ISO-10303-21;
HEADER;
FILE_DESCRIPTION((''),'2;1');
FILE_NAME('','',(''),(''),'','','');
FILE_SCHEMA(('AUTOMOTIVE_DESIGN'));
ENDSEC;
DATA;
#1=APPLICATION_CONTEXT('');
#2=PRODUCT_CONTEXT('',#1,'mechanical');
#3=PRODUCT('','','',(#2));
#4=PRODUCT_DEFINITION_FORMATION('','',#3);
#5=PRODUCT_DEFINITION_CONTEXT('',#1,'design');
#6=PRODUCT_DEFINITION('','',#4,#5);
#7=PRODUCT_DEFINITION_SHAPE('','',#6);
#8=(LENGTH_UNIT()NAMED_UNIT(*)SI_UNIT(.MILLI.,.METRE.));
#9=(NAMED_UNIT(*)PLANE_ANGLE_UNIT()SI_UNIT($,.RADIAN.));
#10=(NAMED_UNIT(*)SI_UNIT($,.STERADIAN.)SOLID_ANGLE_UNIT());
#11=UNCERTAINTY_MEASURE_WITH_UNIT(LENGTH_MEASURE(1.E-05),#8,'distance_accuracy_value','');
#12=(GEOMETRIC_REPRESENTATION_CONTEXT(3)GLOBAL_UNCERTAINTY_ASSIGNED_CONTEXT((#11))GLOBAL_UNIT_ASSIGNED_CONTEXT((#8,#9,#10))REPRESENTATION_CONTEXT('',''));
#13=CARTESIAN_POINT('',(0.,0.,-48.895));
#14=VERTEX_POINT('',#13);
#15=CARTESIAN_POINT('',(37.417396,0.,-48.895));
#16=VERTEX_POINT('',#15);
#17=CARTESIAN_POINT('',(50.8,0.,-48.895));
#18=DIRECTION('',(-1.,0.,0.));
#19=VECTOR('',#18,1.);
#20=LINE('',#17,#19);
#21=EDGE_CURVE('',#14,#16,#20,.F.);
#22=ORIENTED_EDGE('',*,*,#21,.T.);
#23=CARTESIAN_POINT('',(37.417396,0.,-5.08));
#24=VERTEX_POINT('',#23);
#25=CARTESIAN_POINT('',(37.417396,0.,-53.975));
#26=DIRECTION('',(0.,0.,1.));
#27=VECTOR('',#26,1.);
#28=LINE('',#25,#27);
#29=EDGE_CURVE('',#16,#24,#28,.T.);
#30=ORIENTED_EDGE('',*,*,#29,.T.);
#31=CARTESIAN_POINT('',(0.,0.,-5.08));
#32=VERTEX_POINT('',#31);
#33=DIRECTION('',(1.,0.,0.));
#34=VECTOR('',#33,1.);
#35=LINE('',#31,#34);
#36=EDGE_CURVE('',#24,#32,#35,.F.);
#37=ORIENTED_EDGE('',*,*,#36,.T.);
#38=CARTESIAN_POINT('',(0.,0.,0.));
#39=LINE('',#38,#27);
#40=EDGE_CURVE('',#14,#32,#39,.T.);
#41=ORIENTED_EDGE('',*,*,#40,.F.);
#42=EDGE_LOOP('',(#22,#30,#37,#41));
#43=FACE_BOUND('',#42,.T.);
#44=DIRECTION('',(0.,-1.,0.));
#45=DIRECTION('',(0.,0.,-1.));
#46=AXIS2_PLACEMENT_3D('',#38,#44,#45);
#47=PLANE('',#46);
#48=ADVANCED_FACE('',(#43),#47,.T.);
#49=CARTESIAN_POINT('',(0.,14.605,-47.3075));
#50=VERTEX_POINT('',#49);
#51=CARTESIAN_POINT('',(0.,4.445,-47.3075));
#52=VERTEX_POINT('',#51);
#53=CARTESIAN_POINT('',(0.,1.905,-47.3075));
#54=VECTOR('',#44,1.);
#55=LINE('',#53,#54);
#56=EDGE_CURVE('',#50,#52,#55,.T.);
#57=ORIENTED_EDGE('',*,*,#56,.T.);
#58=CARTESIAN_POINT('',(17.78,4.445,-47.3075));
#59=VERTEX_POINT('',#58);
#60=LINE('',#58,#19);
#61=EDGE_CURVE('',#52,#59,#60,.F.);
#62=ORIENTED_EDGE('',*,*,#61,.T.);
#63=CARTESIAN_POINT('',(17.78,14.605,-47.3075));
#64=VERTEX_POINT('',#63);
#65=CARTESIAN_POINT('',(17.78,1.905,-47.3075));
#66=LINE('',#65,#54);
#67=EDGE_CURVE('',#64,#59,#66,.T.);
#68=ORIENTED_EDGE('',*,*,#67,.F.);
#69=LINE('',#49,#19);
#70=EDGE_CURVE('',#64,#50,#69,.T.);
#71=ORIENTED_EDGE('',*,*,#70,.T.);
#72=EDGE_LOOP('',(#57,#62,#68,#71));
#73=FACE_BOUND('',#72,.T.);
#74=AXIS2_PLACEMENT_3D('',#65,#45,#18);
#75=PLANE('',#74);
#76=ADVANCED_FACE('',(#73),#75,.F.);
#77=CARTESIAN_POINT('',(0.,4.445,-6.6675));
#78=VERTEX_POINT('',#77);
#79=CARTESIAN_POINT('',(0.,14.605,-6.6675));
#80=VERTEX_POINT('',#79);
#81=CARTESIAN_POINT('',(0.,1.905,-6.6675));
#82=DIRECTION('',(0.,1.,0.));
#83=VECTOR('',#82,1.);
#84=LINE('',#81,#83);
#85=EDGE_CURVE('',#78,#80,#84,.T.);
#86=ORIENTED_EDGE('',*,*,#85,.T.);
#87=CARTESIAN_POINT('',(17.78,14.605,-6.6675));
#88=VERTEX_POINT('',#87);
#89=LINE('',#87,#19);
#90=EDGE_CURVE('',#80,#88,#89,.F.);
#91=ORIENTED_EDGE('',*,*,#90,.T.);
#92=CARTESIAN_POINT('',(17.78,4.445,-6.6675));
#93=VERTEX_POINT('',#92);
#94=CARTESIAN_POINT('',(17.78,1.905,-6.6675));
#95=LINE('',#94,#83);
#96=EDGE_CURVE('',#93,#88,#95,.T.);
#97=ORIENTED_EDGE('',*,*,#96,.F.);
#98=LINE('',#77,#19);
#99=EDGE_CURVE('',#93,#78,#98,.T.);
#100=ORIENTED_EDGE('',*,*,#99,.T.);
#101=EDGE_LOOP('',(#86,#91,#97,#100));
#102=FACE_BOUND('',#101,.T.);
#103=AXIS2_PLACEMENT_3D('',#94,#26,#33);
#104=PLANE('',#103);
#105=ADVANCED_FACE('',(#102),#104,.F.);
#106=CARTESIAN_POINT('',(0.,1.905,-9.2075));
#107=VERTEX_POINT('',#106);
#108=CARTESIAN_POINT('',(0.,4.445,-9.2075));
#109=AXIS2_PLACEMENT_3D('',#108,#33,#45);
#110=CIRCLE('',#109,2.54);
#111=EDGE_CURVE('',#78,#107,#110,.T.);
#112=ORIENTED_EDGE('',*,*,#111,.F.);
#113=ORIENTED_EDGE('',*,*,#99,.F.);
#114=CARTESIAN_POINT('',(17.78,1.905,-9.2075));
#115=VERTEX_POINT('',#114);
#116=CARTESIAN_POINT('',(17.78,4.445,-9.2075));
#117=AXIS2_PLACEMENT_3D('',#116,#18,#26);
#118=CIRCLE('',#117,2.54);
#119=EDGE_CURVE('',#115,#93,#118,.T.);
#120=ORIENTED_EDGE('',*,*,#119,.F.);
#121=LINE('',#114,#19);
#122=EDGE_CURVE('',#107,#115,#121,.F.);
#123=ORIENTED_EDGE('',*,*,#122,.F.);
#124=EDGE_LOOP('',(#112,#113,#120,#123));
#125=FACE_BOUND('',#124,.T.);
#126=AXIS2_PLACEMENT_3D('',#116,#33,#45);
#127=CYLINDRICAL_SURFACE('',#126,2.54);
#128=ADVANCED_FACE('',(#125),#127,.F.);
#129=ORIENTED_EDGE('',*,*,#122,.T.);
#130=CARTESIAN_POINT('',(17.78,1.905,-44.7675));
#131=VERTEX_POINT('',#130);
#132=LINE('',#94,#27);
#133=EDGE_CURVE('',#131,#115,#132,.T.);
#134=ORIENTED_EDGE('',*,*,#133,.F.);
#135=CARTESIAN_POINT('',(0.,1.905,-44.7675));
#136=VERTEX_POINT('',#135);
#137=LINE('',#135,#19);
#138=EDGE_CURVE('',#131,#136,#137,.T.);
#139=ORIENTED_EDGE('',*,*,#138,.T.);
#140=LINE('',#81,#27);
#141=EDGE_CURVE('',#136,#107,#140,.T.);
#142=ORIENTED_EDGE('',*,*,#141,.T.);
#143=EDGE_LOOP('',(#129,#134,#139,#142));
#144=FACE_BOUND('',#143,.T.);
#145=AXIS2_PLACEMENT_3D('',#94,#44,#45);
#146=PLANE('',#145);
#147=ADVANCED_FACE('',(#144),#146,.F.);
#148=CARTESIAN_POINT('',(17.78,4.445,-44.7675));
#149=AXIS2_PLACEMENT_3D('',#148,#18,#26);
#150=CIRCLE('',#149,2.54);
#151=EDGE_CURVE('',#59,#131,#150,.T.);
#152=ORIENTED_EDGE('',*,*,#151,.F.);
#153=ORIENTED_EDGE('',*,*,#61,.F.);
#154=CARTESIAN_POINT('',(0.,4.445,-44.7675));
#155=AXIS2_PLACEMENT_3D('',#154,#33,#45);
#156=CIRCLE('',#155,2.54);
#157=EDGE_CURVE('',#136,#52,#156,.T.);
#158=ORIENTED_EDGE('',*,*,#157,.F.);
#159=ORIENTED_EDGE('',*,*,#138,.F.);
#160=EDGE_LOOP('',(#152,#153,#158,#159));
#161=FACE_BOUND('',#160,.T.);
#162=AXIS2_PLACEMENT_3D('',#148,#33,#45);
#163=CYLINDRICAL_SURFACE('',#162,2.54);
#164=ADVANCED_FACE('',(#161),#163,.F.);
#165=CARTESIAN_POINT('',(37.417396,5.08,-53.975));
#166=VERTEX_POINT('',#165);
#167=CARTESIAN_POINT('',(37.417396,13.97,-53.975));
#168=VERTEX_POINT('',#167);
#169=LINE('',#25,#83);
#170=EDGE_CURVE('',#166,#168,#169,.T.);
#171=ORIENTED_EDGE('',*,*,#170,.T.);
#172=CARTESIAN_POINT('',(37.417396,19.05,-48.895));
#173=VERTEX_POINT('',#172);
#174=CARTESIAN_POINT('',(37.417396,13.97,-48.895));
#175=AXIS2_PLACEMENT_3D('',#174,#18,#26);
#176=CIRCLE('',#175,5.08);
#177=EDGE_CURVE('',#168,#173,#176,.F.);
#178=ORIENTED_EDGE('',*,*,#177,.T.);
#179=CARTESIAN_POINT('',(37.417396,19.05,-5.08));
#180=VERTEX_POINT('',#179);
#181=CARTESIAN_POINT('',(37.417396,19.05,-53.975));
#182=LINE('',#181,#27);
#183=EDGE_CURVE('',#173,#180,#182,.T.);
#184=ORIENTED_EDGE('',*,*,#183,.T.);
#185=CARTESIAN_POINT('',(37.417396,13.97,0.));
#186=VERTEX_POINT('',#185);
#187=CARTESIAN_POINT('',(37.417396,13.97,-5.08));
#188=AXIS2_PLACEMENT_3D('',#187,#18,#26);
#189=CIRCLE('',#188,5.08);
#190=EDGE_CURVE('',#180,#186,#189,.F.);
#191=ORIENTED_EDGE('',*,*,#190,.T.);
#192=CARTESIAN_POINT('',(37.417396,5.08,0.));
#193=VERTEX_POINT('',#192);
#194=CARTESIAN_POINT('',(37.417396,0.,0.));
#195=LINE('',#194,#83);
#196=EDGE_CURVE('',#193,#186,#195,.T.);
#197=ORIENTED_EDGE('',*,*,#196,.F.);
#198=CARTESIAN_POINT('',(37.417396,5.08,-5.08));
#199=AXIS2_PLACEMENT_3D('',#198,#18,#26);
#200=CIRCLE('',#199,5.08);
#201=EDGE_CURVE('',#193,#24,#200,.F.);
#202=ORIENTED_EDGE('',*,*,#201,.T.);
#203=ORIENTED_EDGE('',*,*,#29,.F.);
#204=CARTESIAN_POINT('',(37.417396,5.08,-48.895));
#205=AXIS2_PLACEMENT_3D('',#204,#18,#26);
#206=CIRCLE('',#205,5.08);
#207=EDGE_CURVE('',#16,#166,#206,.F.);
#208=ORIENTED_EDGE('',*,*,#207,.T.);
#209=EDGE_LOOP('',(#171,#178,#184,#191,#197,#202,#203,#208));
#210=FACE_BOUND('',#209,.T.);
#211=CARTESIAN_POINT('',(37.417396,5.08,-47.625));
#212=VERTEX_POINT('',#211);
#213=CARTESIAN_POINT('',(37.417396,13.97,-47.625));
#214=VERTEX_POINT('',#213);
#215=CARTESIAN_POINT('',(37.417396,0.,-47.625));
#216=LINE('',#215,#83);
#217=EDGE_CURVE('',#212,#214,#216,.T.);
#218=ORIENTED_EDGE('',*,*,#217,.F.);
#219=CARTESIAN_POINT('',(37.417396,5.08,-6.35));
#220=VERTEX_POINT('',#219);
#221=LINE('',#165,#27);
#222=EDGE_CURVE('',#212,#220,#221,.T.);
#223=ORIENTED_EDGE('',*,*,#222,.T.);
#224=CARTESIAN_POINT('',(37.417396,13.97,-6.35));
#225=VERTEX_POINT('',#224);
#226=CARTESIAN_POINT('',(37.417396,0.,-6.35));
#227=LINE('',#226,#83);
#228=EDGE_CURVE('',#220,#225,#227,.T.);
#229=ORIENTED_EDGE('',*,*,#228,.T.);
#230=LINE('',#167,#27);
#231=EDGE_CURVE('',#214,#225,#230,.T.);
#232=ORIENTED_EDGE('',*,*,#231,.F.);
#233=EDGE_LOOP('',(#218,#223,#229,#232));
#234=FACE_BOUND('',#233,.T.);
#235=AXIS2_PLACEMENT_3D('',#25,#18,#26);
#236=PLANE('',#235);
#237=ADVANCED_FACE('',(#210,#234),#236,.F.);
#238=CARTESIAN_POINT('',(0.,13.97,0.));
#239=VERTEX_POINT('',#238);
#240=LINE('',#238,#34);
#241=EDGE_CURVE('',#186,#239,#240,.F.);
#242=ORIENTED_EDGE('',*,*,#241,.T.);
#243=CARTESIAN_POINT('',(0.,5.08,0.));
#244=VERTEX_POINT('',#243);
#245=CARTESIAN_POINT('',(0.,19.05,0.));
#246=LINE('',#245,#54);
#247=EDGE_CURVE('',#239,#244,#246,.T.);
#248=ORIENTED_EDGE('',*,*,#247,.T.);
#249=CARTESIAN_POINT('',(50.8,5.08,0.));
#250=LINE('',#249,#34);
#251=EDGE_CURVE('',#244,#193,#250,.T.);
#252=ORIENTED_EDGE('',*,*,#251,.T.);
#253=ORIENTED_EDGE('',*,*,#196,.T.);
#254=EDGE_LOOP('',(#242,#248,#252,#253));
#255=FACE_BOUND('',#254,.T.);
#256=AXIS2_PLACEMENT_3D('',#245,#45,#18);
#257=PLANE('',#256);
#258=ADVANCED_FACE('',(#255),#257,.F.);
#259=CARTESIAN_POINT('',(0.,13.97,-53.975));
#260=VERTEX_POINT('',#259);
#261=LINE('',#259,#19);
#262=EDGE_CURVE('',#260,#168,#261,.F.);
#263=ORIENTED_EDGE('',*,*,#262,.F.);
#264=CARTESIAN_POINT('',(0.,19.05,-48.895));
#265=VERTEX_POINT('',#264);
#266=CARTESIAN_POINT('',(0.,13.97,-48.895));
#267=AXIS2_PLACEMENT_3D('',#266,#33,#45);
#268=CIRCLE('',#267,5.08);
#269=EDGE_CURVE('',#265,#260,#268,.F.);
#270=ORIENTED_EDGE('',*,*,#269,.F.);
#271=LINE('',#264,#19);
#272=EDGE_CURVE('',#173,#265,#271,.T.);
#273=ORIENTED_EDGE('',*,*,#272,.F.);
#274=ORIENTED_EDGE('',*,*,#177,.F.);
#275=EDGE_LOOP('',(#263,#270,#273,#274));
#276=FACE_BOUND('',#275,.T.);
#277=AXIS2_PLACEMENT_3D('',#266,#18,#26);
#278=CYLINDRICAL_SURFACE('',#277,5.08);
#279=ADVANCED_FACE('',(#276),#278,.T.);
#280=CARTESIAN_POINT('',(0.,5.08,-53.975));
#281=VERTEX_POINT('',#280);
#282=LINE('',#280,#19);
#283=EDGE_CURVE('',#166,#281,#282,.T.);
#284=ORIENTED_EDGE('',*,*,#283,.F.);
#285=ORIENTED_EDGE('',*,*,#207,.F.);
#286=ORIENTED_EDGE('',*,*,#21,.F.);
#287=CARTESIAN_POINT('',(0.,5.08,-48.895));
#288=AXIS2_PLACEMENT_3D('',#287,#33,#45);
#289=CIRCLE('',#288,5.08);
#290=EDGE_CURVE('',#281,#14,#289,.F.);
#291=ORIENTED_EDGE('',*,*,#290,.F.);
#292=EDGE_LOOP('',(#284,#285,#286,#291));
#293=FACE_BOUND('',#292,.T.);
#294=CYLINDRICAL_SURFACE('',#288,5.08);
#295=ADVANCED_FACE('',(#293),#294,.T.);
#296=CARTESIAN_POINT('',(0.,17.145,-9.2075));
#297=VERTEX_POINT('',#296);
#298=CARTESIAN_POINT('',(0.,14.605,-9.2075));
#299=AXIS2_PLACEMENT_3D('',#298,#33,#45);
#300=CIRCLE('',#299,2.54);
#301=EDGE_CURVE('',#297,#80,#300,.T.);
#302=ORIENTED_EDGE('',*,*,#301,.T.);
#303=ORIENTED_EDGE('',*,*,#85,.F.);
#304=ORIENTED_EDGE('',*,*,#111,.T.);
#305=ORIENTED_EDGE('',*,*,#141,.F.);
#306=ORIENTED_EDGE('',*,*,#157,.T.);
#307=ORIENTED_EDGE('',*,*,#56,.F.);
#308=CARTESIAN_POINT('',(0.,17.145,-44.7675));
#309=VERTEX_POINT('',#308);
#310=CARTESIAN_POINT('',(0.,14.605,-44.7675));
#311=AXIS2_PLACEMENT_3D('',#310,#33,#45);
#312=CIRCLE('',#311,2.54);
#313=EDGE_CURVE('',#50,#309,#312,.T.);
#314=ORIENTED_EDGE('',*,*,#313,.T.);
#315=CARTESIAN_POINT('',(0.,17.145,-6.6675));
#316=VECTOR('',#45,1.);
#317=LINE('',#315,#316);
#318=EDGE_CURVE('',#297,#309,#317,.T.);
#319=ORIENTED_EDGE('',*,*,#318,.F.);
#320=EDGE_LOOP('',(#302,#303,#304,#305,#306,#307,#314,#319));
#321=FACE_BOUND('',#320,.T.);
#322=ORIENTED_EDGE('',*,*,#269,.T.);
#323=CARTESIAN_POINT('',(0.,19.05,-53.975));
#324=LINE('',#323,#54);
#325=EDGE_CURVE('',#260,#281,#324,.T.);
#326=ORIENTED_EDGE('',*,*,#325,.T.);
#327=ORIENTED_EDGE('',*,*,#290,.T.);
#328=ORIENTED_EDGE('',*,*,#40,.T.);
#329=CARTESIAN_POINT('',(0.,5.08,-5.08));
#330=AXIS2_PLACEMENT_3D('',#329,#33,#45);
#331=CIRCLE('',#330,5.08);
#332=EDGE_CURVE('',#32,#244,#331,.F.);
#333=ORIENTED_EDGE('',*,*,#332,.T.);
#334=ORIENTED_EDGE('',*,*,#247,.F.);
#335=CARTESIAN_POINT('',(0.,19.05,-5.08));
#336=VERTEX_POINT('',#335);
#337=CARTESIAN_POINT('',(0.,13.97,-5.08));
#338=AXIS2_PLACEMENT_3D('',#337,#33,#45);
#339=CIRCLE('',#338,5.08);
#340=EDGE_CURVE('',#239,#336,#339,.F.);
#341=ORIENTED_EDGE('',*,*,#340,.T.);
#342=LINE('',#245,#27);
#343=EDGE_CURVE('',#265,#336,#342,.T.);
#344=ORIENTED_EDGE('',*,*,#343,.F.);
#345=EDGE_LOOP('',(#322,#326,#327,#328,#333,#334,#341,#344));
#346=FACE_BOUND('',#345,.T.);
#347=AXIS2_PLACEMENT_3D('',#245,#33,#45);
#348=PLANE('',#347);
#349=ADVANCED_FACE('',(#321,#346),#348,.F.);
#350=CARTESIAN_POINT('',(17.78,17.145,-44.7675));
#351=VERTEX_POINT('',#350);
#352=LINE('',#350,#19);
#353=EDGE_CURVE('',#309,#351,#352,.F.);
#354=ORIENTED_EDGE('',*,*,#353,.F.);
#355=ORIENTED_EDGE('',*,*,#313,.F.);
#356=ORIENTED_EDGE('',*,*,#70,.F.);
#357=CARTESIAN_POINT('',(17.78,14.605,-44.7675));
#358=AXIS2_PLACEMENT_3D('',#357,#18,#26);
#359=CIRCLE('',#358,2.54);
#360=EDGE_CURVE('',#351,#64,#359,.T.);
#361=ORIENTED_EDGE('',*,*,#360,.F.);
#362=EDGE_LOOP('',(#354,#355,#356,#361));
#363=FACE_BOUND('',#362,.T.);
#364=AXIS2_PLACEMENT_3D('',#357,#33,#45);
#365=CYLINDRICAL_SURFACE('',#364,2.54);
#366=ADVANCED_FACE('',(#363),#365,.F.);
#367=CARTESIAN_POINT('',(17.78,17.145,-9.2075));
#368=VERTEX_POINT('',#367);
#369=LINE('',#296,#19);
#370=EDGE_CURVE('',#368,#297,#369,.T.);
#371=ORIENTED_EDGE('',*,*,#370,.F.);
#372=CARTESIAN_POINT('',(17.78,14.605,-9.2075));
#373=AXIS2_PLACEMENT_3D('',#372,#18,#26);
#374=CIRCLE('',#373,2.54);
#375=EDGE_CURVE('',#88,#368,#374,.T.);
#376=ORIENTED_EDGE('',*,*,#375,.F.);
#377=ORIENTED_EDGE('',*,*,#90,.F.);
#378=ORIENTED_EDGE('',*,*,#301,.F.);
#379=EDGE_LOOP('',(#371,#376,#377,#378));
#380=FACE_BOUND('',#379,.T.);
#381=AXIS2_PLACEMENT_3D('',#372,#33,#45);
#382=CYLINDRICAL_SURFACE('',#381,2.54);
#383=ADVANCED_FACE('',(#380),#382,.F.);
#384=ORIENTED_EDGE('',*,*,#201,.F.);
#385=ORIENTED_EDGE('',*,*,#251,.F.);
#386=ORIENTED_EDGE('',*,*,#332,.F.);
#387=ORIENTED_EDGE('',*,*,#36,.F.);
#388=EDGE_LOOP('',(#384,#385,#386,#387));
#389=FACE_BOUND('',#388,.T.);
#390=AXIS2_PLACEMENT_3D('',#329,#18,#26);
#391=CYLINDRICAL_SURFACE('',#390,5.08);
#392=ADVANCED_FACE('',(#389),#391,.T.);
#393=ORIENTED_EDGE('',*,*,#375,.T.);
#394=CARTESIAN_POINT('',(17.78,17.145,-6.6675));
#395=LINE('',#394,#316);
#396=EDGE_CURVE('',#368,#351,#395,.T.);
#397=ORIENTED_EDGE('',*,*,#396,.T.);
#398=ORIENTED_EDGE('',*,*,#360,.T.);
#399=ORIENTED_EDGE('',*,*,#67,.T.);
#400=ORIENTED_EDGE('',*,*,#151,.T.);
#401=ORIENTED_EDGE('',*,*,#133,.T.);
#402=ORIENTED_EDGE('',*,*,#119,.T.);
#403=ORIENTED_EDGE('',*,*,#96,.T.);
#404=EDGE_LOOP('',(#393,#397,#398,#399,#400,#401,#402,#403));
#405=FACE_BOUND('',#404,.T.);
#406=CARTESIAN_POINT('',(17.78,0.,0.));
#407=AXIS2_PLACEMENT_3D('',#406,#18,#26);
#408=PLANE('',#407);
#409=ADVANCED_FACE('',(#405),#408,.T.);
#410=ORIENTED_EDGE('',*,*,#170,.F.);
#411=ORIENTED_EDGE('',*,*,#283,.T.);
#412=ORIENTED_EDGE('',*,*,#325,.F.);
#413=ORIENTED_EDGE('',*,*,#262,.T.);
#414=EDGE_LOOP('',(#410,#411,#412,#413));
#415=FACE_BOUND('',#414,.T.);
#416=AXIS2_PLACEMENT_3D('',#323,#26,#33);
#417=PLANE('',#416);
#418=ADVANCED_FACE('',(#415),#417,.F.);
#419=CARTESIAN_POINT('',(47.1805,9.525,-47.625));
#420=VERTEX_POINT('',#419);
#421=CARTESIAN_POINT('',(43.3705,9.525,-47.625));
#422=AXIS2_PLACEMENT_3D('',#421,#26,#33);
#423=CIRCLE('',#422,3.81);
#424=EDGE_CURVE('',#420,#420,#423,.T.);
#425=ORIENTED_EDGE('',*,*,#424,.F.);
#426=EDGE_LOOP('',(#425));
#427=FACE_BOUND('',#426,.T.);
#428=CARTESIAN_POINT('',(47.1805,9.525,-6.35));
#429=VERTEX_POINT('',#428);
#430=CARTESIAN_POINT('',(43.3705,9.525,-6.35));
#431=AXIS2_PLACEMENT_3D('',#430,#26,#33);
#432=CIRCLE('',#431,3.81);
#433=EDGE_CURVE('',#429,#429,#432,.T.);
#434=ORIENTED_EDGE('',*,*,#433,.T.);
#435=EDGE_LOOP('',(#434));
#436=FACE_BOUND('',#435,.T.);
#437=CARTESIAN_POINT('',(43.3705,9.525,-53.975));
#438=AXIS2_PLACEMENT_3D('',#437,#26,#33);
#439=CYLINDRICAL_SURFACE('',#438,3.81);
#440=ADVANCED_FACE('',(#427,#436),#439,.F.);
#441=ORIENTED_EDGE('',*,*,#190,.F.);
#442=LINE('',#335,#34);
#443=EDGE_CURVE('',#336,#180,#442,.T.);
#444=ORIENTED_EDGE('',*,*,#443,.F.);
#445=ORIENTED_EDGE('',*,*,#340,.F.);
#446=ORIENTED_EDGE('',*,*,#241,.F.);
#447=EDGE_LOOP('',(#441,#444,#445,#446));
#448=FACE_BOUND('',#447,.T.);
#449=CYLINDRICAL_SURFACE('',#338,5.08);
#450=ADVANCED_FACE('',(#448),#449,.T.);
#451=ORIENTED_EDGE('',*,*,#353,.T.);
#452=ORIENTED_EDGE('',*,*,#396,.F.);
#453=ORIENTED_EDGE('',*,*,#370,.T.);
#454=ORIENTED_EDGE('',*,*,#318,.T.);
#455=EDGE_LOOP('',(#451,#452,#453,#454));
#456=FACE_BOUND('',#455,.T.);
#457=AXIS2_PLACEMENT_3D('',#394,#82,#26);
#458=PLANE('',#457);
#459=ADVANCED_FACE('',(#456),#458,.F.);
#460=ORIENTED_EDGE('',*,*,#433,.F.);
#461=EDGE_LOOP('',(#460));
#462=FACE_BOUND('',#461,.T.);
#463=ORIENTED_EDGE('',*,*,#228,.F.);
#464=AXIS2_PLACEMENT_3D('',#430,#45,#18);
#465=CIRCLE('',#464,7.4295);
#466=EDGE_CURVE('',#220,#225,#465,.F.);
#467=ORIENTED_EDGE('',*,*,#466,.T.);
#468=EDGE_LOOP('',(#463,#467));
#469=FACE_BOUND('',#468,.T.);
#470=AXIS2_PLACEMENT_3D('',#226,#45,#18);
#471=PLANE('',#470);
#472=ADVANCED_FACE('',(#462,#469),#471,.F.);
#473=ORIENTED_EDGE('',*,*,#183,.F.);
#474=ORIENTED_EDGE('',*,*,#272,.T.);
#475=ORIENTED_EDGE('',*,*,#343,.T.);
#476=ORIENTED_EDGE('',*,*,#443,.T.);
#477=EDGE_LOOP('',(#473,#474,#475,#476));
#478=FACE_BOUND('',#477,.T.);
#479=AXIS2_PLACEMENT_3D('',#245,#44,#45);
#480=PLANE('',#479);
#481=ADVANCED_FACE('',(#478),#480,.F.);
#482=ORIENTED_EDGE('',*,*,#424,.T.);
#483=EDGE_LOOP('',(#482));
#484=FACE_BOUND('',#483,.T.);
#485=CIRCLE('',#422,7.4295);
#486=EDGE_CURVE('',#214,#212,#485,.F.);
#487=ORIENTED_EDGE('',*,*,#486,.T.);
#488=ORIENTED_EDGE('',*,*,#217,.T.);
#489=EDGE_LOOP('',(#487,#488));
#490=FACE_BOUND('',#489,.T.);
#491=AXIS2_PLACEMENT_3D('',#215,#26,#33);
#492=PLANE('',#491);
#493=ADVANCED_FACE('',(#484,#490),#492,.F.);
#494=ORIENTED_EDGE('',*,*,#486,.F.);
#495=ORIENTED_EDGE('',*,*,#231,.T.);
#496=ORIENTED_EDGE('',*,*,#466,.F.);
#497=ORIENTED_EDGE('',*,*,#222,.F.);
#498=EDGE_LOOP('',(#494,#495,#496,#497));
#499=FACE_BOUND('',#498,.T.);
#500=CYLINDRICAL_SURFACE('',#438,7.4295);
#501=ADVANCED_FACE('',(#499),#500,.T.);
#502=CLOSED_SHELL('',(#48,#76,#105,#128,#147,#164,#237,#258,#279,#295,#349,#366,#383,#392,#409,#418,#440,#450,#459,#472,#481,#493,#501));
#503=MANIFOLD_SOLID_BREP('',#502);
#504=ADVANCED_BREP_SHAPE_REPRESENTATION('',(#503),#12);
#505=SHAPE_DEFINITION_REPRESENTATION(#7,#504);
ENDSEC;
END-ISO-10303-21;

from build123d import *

# Parameters (mm, degrees)
SKETCH1_W           = 50.8
SKETCH1_H           = 53.975
BOSS_EXTRUDE1_DEPTH = 19.05
FILLET1_R           = 5.08
CUT_EXTRUDE1_DEPTH  = 54.975
SKETCH3_W           = 14.750075479
SKETCH3_H           = 6.35
SKETCH3_W_2         = 17.214026843
CUT_EXTRUDE2_DEPTH  = 19.05
SKETCH4_R           = 3.81
CUT_EXTRUDE3_DEPTH  = 48.625
SKETCH5_W           = 40.64
SKETCH5_H           = 15.24
CUT_EXTRUDE4_DEPTH  = 17.78
FILLET2_R           = 2.54


with BuildPart() as part:
    # Sketch1 → Boss-Extrude1 (new body)
    with BuildSketch(Plane(origin=(0, 0, 0), x_dir=(1, 0, 0), z_dir=(0, 1, 0))):
        with Locations((25.4, 26.9875)):
            Rectangle(SKETCH1_W, SKETCH1_H)
    extrude(amount=BOSS_EXTRUDE1_DEPTH)

    # Fillet1
    fillet1_edges = [part.edges().sort_by_distance(p)[0] for p in [
        (25.4, 19.05, -53.975),
        (25.4, 0, -53.975),
        (25.4, 0, 0),
        (25.4, 19.05, 0),
    ]]
    fillet(fillet1_edges, radius=FILLET1_R)

    # Sketch2 → Cut-Extrude1 (cut, through all)
    with BuildSketch(Plane.XY):
        with BuildLine():
            Line((50.8, 19.05), (37.417396167, 19.05))
            Line((37.417396167, 19.05), (37.417396167, 13.97))
            ThreePointArc((37.417396167, 13.97), (43.3705, 16.9545), (49.323603833, 13.97))
            Line((49.323603833, 13.97), (50.8, 13.97))
            Line((50.8, 13.97), (50.8, 19.05))
        make_face()
        with BuildLine():
            Line((50.8, 13.97), (49.323603833, 13.97))
            ThreePointArc((49.323603833, 13.97), (50.421246598, 11.866888695), (50.8, 9.525))
            Line((50.8, 9.525), (50.8, 13.97))
        make_face()
        with BuildLine():
            ThreePointArc((50.8, 9.525), (50.421246598, 7.183111305), (49.323603833, 5.08))
            Line((49.323603833, 5.08), (50.8, 5.08))
            Line((50.8, 5.08), (50.8, 9.525))
        make_face()
        with BuildLine():
            ThreePointArc((49.323603833, 5.08), (43.3705, 2.0955), (37.417396167, 5.08))
            Line((37.417396167, 5.08), (37.417396167, 0))
            Line((37.417396167, 0), (50.8, 0))
            Line((50.8, 0), (50.8, 5.08))
            Line((50.8, 5.08), (49.323603833, 5.08))
        make_face()
    extrude(amount=-CUT_EXTRUDE1_DEPTH, mode=Mode.SUBTRACT)

    # Sketch3 → Cut-Extrude2 (cut)
    with BuildSketch(Plane(origin=(0, 19.05, 0), x_dir=(1, 0, 0), z_dir=(0, 1, 0))):
        with Locations((44.792433907, 3.175)):
            Rectangle(SKETCH3_W, SKETCH3_H)
        with Locations((46.024409589, 50.8)):
            Rectangle(SKETCH3_W_2, SKETCH3_H)
    extrude(amount=-CUT_EXTRUDE2_DEPTH, mode=Mode.SUBTRACT)

    # Sketch4 → Cut-Extrude3 (cut, through all)
    with BuildSketch(Plane.XY.offset(-6.35)):
        with Locations((43.3705, 9.525)):
            Circle(SKETCH4_R)
    extrude(amount=-CUT_EXTRUDE3_DEPTH, mode=Mode.SUBTRACT)

    # Sketch5 → Cut-Extrude4 (cut)
    with BuildSketch(Plane.ZY):
        with Locations((-26.9875, 9.525)):
            Rectangle(SKETCH5_W, SKETCH5_H)
    extrude(amount=-CUT_EXTRUDE4_DEPTH, mode=Mode.SUBTRACT)

    # Fillet2
    fillet2_edges = [part.edges().sort_by_distance(p)[0] for p in [
        (8.89, 1.905, -47.3075),
        (8.89, 17.145, -47.3075),
        (8.89, 17.145, -6.6675),
        (8.89, 1.905, -6.6675),
    ]]
    fillet(fillet2_edges, radius=FILLET2_R)


solid = part.part
